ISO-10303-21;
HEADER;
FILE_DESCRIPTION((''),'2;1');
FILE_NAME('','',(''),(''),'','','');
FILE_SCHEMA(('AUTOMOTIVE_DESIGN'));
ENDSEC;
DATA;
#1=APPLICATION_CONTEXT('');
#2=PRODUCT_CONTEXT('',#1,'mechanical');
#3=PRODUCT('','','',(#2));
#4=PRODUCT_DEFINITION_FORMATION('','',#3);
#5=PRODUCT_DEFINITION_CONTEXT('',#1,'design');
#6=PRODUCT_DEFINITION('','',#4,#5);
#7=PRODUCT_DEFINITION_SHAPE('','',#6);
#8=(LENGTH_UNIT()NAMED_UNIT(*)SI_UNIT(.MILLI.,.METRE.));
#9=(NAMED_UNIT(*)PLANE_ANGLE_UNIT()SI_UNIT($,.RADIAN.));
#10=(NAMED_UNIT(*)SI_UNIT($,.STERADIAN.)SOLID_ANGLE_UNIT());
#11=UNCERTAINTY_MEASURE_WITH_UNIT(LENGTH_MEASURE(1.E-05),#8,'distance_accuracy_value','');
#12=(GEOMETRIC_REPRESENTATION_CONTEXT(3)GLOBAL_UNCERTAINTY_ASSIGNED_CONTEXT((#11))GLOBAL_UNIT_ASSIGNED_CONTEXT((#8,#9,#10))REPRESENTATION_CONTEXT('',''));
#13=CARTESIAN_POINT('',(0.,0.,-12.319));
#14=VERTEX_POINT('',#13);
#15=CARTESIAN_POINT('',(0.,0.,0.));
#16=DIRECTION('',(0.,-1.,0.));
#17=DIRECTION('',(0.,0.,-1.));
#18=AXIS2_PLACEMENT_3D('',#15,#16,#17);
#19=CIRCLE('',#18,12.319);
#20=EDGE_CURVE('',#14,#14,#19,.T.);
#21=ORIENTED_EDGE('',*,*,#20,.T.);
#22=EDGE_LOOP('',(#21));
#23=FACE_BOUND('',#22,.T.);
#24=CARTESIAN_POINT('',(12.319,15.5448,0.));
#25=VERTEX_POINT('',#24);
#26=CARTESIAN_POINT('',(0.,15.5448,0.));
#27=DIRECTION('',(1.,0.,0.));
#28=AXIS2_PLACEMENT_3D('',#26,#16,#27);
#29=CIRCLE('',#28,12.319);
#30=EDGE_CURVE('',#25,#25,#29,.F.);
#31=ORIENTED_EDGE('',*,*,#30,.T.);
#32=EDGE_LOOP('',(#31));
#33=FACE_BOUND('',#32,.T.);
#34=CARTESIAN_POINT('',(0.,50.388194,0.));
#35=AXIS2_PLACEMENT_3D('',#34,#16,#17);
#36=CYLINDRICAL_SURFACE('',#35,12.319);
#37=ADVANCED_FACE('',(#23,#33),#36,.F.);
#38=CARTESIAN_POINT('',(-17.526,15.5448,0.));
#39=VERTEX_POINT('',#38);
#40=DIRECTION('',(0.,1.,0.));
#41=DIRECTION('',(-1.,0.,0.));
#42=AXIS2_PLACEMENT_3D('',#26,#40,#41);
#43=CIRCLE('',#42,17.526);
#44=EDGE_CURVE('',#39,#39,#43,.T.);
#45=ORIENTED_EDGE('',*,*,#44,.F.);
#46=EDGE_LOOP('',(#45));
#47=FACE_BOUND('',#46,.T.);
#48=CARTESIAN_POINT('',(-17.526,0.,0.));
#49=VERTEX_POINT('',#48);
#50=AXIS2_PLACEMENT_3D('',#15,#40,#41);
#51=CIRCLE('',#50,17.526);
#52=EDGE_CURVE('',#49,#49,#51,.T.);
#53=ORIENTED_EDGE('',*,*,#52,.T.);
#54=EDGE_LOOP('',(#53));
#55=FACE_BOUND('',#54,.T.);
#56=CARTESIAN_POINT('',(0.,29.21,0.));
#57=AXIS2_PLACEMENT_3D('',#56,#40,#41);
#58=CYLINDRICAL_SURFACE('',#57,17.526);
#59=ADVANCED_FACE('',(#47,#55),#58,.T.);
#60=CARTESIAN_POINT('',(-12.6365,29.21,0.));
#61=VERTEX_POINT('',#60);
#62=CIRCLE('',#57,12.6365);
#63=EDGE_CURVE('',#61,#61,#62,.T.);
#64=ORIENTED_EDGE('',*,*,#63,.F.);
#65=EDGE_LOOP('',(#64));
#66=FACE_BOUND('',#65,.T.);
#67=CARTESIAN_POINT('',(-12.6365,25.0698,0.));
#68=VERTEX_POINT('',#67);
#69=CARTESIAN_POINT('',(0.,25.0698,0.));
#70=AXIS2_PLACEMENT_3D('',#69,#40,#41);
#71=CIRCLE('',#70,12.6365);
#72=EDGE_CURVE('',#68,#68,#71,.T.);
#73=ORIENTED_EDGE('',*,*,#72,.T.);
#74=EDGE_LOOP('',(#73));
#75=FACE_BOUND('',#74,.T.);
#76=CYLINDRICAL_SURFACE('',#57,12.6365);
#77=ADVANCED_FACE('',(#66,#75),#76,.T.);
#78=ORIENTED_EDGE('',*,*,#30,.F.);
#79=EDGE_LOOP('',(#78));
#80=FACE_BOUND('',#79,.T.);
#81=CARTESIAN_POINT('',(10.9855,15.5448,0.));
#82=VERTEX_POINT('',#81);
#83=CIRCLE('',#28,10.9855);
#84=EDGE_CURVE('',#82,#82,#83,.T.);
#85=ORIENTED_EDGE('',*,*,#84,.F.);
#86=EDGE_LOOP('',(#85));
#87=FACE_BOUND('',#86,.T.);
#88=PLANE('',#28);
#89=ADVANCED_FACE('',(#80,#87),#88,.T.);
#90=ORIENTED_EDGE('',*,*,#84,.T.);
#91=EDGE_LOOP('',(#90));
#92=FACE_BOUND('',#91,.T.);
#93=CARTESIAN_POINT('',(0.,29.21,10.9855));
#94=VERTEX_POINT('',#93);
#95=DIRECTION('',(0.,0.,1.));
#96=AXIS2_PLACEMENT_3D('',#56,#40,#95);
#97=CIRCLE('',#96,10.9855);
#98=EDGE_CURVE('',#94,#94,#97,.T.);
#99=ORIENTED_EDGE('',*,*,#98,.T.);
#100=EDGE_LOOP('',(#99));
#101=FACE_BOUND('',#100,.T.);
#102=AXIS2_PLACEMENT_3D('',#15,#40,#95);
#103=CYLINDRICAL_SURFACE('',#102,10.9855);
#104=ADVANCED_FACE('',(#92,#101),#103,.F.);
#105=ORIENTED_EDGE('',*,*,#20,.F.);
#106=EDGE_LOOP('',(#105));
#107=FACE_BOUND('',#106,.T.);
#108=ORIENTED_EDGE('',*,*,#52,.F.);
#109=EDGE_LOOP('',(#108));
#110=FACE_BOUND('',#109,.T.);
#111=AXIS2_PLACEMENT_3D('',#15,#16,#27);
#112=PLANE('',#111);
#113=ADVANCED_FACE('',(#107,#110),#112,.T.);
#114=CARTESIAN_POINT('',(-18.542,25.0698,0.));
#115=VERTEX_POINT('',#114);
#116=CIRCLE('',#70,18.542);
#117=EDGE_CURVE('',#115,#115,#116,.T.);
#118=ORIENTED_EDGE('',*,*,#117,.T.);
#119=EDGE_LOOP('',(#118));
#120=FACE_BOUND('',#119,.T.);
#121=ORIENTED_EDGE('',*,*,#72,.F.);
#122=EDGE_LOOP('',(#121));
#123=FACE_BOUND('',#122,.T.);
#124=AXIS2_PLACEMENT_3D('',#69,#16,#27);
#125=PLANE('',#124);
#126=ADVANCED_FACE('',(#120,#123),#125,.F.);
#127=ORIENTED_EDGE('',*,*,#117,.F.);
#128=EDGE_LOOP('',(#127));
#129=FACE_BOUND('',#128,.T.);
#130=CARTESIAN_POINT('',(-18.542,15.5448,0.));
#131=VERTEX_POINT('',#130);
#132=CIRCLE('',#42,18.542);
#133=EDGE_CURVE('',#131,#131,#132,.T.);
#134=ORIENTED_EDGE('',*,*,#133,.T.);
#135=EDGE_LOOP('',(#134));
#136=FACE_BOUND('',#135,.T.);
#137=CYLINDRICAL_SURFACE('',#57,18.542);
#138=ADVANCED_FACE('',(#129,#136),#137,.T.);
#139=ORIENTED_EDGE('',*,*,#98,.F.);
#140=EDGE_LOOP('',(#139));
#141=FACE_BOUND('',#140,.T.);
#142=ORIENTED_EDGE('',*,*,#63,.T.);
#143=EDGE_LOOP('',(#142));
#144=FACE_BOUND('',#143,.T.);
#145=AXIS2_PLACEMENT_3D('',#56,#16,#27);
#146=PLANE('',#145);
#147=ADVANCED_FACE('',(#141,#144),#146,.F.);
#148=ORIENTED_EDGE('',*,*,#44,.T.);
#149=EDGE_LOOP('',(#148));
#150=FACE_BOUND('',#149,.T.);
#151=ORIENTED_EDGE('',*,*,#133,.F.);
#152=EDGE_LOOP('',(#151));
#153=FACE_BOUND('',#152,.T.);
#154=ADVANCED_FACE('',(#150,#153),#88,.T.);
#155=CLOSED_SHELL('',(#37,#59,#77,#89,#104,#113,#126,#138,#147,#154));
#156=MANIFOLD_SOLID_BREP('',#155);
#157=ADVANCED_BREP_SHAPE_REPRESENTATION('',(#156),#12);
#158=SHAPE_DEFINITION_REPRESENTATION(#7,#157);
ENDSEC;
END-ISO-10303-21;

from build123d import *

# Parameters (mm, degrees)
SKETCH2_R          = 12.319
CUT_EXTRUDE2_DEPTH = 15.5448
SKETCH3_R          = 10.9855
CUT_EXTRUDE3_DEPTH = 40.253479183


with BuildPart() as part:
    # Sketch1 → Revolve2 (revolve)
    with BuildSketch(Plane.XY):
        Polygon((-18.542, 15.5448), (-17.526, 15.5448), (-17.526, 0), (0, 0), (0, 29.21), (-12.6365, 29.21), (-12.6365, 25.0698), (-18.542, 25.0698), align=None)
    revolve(axis=Axis((0, 29.21, 0), (0, -1, 0)))

    # Sketch2 → Cut-Extrude2 (cut)
    with BuildSketch(Plane.XZ):
        with Locations(Location((0, 0, 0), (0, 0, 270))):
            Circle(SKETCH2_R)
    extrude(amount=-CUT_EXTRUDE2_DEPTH, mode=Mode.SUBTRACT)

    # Sketch3 → Cut-Extrude3 (cut, through all)
    with BuildSketch(Plane(origin=(0, 29.21, 0), x_dir=(1, 0, 0), z_dir=(0, 1, 0))):
        with Locations(Location((0, 0, 0), (0, 0, 270))):
            Circle(SKETCH3_R)
    extrude(amount=-CUT_EXTRUDE3_DEPTH, mode=Mode.SUBTRACT)


solid = part.part
